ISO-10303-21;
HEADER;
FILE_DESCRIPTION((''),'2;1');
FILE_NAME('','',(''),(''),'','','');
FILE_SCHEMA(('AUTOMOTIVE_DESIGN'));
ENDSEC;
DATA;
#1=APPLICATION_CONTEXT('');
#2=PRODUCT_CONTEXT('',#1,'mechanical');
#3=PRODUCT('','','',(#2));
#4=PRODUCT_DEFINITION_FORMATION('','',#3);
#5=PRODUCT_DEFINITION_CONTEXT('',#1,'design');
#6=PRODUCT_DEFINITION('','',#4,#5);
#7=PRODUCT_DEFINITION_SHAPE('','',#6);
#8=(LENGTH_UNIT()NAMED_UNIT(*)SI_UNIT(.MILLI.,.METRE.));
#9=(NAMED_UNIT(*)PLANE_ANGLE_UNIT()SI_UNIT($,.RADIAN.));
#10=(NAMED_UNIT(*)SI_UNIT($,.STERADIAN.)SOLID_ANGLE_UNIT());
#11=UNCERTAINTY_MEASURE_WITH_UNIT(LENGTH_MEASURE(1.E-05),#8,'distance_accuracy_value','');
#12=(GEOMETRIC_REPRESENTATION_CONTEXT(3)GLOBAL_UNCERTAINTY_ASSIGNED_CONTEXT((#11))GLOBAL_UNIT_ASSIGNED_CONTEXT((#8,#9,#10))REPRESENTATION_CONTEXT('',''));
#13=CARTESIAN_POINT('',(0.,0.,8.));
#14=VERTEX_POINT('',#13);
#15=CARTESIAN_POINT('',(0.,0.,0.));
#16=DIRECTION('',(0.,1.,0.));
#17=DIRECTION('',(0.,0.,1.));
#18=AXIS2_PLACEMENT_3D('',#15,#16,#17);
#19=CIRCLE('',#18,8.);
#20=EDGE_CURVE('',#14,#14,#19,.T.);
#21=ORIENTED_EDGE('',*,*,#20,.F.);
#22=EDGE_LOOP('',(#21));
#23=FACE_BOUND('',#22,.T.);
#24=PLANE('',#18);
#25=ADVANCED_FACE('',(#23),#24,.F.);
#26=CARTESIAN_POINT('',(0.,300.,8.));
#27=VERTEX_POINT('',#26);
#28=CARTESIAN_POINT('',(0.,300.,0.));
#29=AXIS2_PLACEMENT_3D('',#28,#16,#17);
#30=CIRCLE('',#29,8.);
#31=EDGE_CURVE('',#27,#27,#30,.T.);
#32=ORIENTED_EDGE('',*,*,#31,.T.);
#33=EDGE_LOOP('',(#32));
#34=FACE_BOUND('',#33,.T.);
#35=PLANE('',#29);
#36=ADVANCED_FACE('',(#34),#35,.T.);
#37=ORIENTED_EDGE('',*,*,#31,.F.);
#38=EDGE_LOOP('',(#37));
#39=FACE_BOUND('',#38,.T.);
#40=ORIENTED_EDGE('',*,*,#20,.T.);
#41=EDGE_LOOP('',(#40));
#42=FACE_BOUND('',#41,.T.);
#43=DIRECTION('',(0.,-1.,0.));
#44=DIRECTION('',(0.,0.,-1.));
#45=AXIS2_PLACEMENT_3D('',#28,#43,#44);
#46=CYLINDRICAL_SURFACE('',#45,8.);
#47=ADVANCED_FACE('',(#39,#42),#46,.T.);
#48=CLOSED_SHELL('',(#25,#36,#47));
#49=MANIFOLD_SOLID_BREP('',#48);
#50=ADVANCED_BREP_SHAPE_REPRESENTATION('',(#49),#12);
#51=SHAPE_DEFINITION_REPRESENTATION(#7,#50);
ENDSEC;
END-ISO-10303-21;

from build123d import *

# Parameters (mm, degrees)
IZIM1_R                     = 8
Y_KSEKLIK_EKSTR_ZYON1_DEPTH = 300


with BuildPart() as part:
    # Çizim1 → Yükseklik-Ekstrüzyon1 (new body)
    with BuildSketch(Plane(origin=(0, 0, 0), x_dir=(1, 0, 0), z_dir=(0, 1, 0))):
        Circle(IZIM1_R)
    extrude(amount=Y_KSEKLIK_EKSTR_ZYON1_DEPTH)


solid = part.part
